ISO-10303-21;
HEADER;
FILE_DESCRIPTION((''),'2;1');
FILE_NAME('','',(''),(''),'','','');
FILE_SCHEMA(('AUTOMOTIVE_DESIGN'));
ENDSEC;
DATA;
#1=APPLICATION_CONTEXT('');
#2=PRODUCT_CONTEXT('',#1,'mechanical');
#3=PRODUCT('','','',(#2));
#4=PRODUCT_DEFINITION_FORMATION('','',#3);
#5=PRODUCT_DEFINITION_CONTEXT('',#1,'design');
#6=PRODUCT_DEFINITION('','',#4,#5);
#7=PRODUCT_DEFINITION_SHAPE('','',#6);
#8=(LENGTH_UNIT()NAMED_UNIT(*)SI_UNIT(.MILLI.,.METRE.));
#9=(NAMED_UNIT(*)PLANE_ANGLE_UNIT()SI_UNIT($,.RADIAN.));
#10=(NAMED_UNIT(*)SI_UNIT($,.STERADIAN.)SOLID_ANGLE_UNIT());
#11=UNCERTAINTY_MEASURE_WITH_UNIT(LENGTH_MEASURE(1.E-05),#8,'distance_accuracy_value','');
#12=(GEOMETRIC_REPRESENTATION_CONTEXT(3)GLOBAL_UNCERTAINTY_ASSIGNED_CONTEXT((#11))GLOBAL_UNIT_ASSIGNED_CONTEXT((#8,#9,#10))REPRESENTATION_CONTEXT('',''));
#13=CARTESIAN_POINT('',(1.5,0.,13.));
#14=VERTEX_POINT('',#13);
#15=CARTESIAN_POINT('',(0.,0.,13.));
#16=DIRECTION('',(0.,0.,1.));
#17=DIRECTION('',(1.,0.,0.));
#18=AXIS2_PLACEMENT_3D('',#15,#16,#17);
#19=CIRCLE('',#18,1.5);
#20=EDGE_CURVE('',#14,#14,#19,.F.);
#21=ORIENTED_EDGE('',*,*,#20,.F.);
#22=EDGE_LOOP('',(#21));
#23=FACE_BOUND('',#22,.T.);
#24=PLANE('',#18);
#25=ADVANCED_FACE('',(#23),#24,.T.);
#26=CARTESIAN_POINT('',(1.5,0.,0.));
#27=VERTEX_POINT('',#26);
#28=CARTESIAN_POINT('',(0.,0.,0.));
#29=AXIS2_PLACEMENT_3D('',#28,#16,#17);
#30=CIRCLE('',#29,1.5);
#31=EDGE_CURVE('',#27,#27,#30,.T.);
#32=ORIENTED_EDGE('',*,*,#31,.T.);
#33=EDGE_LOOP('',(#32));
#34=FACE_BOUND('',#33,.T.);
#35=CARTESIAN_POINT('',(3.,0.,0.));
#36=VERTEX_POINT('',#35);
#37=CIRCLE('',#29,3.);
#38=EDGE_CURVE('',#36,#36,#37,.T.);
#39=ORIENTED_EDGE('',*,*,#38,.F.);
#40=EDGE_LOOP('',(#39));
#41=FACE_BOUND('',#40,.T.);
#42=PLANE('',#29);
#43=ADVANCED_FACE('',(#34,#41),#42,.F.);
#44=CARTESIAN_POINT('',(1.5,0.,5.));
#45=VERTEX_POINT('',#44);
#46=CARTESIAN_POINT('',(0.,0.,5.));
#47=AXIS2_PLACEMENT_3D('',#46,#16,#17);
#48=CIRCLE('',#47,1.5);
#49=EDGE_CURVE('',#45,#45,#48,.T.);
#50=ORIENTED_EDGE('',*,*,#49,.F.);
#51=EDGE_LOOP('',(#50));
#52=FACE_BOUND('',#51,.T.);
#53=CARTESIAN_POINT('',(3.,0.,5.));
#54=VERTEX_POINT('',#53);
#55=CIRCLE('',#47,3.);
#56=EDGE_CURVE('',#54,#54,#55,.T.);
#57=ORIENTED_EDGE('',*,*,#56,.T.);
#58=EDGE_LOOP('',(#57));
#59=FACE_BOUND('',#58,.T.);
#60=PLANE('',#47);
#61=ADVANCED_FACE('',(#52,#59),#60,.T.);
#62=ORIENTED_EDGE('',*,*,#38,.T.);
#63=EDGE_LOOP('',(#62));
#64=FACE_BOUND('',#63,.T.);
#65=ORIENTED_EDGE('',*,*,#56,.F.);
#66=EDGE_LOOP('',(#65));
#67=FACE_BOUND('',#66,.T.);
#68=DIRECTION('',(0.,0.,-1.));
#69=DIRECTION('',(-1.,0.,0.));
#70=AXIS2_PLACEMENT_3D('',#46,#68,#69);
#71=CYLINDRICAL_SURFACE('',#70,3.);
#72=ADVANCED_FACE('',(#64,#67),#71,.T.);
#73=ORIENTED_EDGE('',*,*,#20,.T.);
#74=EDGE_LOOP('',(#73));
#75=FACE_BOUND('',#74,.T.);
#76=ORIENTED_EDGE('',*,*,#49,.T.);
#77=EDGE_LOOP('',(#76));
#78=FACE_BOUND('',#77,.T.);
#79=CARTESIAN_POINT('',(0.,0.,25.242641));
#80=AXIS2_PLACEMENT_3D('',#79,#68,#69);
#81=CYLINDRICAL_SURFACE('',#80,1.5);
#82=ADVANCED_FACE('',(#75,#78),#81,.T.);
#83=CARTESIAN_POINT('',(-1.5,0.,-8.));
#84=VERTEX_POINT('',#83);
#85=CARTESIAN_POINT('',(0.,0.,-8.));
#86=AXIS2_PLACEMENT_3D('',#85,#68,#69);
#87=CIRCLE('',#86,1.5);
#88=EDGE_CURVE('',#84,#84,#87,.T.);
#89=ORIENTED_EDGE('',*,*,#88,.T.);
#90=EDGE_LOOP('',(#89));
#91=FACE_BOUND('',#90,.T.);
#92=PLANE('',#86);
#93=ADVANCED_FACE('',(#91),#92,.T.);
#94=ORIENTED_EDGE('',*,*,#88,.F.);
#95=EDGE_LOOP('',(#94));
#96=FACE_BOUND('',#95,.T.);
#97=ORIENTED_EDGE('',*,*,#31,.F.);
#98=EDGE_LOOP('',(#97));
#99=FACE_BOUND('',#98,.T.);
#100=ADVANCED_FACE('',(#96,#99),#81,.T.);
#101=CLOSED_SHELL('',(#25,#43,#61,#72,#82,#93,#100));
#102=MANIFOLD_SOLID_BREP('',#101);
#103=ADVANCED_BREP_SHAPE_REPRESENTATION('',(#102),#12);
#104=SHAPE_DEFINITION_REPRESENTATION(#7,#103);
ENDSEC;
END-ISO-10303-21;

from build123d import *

# Parameters (mm, degrees)
SKETCH1_R                                        = 3
BOSS_EXTRUDE1_DLUGOSC_CALKOWITA_S4_DEPTH         = 5
BOSS_EXTRUDE2_PRZEDLUZENIE_DO_MONTAZU_DEPTH      = 8
BOSS_EXTRUDE2_PRZEDLUZENIE_DO_MONTAZU_DEPTH_BACK = 13
SKETCH2_R                                        = 1.5


with BuildPart() as part:
    # Sketch1 → Boss-Extrude1 dlugosc calkowita S4 (new body)
    with BuildSketch(Plane.XY):
        Circle(SKETCH1_R)
    extrude(amount=BOSS_EXTRUDE1_DLUGOSC_CALKOWITA_S4_DEPTH)

    # Sketch2 → Boss-Extrude2 przedluzenie do montazu (add, two sides: drawn at the far end of the back side and taken through both)
    with BuildSketch(Plane(origin=(0, 0, 0), x_dir=(-1, 0, 0), z_dir=(0, 0, -1)).offset(-BOSS_EXTRUDE2_PRZEDLUZENIE_DO_MONTAZU_DEPTH_BACK)):
        Circle(SKETCH2_R)
    extrude(amount=BOSS_EXTRUDE2_PRZEDLUZENIE_DO_MONTAZU_DEPTH + BOSS_EXTRUDE2_PRZEDLUZENIE_DO_MONTAZU_DEPTH_BACK)


solid = part.part
